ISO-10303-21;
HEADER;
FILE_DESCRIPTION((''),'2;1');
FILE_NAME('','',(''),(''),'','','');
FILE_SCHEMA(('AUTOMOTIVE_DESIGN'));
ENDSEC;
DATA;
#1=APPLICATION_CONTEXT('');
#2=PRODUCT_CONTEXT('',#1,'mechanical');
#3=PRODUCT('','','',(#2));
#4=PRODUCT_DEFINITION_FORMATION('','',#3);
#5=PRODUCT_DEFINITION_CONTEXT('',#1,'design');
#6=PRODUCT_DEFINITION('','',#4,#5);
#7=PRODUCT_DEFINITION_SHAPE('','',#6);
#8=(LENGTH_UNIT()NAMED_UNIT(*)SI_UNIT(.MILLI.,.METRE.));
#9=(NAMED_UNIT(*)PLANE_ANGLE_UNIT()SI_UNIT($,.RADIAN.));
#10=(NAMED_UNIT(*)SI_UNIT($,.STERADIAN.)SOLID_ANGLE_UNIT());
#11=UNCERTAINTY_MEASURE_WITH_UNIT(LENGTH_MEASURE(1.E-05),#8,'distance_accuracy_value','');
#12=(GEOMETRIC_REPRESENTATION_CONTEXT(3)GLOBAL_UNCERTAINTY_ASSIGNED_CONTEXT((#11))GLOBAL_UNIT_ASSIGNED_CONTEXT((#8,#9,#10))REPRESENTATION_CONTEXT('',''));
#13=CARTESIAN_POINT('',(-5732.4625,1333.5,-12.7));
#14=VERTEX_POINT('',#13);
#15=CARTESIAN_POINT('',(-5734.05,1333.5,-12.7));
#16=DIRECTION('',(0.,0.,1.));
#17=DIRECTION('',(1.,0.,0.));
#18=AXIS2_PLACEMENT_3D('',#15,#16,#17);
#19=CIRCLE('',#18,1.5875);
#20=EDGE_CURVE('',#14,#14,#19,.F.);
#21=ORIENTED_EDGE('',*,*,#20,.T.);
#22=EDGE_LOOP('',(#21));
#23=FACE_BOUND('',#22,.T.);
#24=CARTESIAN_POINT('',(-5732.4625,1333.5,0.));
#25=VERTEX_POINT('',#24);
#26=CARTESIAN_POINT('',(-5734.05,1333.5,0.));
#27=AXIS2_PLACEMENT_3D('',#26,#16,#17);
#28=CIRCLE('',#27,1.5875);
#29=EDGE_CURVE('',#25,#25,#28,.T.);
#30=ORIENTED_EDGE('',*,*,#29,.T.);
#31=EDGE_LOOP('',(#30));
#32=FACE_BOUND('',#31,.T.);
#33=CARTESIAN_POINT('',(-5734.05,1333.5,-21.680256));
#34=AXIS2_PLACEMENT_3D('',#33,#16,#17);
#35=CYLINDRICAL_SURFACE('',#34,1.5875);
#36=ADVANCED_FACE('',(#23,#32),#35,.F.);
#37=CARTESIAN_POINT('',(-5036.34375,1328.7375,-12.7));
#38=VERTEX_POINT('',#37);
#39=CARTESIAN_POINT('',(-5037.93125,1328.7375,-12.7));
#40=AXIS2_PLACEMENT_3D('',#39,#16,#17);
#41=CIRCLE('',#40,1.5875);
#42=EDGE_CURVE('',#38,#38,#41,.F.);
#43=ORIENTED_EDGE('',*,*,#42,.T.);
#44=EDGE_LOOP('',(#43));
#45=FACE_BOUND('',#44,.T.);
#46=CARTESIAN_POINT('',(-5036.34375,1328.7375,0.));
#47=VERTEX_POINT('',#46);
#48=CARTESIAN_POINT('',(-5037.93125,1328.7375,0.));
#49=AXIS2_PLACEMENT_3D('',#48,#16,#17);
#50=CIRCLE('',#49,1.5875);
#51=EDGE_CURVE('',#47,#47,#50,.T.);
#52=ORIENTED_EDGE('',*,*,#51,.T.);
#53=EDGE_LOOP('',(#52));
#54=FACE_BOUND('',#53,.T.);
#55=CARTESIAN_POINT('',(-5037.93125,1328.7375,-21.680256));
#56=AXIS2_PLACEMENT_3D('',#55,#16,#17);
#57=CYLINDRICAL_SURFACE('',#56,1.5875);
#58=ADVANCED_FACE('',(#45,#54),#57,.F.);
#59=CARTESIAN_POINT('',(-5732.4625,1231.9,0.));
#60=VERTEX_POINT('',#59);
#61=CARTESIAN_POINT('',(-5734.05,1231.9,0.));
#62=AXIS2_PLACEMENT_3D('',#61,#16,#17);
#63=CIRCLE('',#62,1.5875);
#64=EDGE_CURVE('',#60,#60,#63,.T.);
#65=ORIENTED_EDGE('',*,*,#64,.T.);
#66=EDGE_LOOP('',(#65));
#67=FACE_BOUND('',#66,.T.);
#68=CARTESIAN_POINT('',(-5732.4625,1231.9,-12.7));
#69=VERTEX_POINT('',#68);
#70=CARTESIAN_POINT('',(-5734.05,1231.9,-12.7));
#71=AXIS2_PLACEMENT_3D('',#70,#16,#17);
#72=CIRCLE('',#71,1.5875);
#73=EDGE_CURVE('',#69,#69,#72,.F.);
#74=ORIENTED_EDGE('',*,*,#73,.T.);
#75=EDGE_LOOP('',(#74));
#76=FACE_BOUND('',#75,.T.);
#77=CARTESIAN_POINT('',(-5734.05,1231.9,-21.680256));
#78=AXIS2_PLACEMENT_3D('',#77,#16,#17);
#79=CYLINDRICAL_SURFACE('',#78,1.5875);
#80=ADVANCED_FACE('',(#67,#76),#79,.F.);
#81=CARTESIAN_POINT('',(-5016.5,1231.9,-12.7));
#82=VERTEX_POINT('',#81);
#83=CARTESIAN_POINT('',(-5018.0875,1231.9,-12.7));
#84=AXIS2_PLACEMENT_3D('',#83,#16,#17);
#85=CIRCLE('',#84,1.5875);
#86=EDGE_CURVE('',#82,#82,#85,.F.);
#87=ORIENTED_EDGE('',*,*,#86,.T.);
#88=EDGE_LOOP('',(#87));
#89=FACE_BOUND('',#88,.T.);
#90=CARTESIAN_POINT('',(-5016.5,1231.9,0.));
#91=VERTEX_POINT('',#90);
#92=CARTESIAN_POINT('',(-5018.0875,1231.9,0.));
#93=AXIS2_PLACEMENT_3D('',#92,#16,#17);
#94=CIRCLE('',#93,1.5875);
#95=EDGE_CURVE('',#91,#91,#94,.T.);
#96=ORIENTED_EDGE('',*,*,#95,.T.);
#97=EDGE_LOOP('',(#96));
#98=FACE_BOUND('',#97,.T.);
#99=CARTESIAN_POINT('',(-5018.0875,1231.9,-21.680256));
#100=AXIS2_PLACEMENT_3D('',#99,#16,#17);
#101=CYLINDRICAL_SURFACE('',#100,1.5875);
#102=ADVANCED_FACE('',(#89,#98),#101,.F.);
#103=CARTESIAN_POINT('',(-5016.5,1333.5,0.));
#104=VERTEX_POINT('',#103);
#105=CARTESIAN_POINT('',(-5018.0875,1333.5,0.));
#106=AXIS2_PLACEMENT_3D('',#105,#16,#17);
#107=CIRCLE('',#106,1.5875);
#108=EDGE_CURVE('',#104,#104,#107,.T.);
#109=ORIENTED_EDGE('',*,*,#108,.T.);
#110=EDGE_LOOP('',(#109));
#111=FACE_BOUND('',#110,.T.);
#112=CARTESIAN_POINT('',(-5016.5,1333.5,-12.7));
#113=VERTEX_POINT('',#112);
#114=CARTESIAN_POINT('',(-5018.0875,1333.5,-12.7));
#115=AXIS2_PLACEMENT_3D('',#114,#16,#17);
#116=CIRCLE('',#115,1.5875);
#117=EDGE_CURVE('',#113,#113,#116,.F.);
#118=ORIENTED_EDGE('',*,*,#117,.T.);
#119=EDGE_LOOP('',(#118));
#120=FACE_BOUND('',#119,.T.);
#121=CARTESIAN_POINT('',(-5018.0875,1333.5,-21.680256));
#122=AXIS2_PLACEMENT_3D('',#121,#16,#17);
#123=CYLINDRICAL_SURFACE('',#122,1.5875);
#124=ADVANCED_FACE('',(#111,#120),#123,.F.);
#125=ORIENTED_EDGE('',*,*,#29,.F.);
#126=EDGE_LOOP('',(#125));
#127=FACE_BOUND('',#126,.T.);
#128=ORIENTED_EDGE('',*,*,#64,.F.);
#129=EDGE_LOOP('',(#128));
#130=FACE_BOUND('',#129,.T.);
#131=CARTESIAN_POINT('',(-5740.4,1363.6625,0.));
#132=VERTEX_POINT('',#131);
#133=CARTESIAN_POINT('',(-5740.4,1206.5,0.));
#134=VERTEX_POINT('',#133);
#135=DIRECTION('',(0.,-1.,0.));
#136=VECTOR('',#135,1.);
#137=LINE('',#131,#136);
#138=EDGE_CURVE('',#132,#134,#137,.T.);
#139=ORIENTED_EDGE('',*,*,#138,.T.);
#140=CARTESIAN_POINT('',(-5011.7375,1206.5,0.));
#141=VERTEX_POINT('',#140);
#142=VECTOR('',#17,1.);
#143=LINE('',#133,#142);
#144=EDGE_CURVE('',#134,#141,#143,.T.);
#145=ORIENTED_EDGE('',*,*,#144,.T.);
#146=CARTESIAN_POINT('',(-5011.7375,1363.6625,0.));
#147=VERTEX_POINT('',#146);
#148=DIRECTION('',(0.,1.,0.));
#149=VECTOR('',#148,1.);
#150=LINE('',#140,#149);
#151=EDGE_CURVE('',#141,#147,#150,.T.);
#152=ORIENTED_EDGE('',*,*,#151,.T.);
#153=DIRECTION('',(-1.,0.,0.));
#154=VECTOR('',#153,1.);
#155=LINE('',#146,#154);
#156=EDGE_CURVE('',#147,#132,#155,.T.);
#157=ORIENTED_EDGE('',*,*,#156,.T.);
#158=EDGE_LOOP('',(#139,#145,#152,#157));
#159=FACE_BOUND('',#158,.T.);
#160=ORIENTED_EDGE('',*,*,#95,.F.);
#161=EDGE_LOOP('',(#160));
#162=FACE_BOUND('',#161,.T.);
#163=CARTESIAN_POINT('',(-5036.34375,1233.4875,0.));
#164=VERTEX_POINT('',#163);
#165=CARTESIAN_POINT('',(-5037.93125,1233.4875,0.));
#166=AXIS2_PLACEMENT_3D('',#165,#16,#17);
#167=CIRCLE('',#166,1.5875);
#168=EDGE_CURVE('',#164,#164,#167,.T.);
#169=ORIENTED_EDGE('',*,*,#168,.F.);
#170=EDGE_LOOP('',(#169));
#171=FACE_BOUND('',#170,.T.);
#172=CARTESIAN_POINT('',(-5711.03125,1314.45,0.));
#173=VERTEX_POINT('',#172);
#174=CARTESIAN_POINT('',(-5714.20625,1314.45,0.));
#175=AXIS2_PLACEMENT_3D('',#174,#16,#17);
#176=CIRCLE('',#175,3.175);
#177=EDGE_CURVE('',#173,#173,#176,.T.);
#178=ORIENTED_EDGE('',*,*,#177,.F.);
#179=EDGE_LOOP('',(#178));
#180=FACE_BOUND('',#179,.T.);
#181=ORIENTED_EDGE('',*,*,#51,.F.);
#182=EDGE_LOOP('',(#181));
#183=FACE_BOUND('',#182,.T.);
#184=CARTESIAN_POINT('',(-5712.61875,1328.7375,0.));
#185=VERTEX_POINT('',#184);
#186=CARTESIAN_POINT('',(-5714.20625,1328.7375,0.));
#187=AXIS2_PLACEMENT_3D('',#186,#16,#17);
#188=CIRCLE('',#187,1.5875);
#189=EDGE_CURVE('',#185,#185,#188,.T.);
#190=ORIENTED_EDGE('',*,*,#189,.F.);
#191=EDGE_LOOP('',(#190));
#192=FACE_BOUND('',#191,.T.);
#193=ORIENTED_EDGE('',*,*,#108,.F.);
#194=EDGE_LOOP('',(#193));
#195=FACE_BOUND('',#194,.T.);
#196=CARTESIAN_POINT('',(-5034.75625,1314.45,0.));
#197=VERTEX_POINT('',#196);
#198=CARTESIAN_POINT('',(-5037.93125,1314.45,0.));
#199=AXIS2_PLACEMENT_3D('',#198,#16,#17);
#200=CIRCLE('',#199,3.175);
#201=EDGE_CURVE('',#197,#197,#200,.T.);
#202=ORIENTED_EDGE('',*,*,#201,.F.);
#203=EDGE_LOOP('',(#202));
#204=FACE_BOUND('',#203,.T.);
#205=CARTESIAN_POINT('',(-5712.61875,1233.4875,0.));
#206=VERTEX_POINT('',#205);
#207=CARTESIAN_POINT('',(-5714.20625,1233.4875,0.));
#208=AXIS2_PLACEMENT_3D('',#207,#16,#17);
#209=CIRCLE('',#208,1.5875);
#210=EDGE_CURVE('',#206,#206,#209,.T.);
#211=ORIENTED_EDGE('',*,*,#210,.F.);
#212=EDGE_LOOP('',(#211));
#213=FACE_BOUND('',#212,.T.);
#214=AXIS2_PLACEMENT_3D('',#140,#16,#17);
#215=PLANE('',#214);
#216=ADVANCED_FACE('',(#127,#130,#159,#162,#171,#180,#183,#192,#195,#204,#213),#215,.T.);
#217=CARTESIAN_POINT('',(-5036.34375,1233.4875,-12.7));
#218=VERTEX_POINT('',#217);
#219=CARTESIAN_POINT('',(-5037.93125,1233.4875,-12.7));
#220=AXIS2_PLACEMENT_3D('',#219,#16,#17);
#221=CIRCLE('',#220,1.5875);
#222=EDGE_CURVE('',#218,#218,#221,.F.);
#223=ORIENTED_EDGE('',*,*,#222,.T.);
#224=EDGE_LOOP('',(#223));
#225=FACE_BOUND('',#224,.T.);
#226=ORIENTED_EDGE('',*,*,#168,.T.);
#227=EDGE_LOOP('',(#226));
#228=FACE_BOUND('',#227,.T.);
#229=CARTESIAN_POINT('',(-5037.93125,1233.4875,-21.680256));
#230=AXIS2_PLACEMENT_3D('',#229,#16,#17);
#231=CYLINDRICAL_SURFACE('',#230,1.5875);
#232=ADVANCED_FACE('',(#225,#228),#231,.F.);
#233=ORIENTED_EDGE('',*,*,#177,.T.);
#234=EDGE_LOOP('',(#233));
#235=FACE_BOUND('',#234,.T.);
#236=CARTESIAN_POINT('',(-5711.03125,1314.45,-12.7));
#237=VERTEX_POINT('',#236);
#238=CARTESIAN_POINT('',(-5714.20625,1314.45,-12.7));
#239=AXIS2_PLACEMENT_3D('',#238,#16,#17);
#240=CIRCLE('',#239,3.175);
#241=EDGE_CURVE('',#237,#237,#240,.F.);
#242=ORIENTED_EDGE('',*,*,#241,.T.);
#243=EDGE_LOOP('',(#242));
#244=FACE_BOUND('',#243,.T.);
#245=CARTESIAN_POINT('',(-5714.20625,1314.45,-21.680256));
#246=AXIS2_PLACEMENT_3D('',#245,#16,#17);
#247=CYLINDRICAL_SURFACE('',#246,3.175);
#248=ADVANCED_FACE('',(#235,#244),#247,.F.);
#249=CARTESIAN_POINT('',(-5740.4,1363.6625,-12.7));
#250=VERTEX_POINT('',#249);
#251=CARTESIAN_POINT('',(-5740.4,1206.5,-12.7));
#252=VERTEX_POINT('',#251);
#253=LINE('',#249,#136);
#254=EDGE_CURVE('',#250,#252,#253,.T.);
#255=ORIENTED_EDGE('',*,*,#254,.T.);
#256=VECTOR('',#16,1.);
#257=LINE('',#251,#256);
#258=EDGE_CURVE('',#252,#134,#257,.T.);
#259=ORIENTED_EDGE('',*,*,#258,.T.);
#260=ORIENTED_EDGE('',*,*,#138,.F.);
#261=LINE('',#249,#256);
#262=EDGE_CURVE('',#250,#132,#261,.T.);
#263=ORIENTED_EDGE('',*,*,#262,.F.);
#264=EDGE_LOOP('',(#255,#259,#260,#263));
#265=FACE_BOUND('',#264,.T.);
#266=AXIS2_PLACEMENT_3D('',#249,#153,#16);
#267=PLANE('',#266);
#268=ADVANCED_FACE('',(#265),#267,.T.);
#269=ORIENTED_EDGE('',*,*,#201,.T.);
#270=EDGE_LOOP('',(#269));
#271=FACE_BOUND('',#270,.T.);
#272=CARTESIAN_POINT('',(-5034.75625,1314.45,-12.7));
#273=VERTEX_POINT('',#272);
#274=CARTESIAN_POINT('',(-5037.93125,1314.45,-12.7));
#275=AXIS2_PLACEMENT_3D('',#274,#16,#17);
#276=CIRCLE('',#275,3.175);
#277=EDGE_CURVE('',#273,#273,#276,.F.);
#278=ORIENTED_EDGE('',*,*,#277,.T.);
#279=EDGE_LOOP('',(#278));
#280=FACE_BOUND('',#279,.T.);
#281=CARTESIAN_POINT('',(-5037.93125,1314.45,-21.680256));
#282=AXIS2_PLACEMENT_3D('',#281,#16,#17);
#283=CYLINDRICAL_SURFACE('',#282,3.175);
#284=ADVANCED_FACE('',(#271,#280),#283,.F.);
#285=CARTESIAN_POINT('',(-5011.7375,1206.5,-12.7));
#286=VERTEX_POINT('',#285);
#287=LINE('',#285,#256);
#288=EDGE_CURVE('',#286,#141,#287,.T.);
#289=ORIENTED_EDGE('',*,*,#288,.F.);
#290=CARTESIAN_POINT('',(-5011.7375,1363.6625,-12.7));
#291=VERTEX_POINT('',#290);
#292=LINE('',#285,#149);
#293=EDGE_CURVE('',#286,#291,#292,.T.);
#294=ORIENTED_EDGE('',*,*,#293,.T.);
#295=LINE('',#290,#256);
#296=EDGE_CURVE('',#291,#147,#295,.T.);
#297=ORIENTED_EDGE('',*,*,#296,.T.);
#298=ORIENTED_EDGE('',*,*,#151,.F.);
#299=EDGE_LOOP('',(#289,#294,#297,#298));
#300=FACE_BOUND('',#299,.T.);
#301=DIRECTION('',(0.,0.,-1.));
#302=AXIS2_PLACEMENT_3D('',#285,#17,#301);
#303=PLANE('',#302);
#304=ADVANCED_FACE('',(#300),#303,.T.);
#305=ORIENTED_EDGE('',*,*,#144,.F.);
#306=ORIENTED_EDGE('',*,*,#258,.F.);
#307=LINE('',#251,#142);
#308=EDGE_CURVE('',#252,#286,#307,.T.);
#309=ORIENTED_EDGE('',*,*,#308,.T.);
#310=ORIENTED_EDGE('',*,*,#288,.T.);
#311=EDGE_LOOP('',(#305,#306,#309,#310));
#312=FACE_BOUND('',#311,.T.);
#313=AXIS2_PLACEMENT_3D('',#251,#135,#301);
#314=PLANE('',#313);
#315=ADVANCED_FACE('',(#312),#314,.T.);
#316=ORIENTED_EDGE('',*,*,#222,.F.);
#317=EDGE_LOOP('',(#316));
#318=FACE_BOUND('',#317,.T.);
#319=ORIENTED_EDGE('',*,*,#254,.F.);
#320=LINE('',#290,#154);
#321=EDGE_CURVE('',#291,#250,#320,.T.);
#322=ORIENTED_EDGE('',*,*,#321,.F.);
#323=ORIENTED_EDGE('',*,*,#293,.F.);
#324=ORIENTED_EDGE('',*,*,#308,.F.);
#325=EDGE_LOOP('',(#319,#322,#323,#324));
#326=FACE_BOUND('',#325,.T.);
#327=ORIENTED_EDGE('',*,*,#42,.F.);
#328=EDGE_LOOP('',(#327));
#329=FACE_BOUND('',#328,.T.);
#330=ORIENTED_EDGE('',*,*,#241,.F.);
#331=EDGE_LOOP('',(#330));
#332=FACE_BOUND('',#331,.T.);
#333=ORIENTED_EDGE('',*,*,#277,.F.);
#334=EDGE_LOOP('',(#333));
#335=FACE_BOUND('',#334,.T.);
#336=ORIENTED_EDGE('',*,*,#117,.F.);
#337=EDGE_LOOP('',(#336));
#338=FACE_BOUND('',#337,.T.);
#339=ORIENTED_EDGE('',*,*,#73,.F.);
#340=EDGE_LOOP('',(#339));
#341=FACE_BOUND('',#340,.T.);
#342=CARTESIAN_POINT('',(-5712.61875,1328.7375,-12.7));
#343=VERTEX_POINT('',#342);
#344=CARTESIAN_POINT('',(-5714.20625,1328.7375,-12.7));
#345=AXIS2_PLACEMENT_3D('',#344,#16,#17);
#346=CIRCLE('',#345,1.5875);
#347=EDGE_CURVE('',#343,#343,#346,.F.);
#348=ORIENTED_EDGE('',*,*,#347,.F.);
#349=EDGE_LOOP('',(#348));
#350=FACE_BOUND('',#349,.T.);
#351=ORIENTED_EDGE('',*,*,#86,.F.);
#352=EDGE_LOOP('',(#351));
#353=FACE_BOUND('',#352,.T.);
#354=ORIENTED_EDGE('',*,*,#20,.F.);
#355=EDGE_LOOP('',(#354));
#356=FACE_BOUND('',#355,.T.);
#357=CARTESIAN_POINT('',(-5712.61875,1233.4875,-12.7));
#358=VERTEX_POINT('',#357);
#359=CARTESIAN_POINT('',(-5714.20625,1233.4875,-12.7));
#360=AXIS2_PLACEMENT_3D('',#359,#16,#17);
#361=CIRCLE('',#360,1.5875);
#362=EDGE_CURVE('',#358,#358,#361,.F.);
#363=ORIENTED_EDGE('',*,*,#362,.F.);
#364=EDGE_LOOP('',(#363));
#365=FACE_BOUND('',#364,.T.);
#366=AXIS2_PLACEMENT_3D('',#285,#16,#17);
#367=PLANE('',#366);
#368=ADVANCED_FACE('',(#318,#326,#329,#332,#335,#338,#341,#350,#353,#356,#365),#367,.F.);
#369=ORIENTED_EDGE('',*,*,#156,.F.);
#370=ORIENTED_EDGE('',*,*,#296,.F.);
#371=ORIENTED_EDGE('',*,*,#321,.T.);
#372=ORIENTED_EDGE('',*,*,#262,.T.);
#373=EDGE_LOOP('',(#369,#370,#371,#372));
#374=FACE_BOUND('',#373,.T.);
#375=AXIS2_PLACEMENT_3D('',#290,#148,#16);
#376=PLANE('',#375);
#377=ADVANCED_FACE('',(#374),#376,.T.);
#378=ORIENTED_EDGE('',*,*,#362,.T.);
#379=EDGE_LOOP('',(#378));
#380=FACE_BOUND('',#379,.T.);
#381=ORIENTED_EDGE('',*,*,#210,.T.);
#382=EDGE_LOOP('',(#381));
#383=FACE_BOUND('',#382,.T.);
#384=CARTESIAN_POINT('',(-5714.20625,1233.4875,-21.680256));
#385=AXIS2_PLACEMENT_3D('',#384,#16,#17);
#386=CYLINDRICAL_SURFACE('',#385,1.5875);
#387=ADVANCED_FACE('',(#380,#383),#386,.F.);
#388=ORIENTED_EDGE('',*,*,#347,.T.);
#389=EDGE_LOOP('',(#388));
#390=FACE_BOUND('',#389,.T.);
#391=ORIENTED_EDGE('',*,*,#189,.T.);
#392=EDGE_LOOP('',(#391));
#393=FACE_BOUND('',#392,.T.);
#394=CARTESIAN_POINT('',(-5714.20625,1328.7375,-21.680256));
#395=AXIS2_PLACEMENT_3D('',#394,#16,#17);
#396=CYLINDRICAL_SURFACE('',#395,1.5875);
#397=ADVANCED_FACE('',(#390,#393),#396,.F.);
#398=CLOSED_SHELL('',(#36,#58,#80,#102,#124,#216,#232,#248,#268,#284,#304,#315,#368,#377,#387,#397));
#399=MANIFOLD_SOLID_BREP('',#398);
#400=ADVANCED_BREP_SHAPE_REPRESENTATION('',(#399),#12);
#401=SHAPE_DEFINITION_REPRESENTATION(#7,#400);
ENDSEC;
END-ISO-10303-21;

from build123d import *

# Parameters (mm, degrees)
SKETCH2_W          = 728.6625
SKETCH2_H          = 157.1625
EXTRUDE1_DEPTH     = 12.7
SKETCH3_R          = 3.175
SKETCH3_R_2        = 1.5875
CUT_EXTRUDE1_DEPTH = 12.7


with BuildPart() as part:
    # Sketch2 → Extrude1 (new body)
    with BuildSketch(Plane.XY):
        with Locations((-5376.06875, 1285.08125)):
            Rectangle(SKETCH2_W, SKETCH2_H)
    extrude(amount=-EXTRUDE1_DEPTH)

    # Sketch3 → Cut-Extrude1 (cut)
    with BuildSketch(Plane.XY):
        with Locations((-5714.20625, 1314.45)):
            Circle(SKETCH3_R)
        with Locations((-5714.20625, 1328.7375)):
            Circle(SKETCH3_R_2)
        with Locations((-5734.05, 1333.5)):
            Circle(SKETCH3_R_2)
        with Locations((-5734.05, 1231.9)):
            Circle(SKETCH3_R_2)
        with Locations((-5714.20625, 1233.4875)):
            Circle(SKETCH3_R_2)
        with Locations((-5037.93125, 1314.45)):
            Circle(SKETCH3_R)
        with Locations((-5037.93125, 1328.7375)):
            Circle(SKETCH3_R_2)
        with Locations((-5018.0875, 1333.5)):
            Circle(SKETCH3_R_2)
        with Locations((-5037.93125, 1233.4875)):
            Circle(SKETCH3_R_2)
        with Locations((-5018.0875, 1231.9)):
            Circle(SKETCH3_R_2)
    extrude(amount=-CUT_EXTRUDE1_DEPTH, mode=Mode.SUBTRACT)


solid = part.part
